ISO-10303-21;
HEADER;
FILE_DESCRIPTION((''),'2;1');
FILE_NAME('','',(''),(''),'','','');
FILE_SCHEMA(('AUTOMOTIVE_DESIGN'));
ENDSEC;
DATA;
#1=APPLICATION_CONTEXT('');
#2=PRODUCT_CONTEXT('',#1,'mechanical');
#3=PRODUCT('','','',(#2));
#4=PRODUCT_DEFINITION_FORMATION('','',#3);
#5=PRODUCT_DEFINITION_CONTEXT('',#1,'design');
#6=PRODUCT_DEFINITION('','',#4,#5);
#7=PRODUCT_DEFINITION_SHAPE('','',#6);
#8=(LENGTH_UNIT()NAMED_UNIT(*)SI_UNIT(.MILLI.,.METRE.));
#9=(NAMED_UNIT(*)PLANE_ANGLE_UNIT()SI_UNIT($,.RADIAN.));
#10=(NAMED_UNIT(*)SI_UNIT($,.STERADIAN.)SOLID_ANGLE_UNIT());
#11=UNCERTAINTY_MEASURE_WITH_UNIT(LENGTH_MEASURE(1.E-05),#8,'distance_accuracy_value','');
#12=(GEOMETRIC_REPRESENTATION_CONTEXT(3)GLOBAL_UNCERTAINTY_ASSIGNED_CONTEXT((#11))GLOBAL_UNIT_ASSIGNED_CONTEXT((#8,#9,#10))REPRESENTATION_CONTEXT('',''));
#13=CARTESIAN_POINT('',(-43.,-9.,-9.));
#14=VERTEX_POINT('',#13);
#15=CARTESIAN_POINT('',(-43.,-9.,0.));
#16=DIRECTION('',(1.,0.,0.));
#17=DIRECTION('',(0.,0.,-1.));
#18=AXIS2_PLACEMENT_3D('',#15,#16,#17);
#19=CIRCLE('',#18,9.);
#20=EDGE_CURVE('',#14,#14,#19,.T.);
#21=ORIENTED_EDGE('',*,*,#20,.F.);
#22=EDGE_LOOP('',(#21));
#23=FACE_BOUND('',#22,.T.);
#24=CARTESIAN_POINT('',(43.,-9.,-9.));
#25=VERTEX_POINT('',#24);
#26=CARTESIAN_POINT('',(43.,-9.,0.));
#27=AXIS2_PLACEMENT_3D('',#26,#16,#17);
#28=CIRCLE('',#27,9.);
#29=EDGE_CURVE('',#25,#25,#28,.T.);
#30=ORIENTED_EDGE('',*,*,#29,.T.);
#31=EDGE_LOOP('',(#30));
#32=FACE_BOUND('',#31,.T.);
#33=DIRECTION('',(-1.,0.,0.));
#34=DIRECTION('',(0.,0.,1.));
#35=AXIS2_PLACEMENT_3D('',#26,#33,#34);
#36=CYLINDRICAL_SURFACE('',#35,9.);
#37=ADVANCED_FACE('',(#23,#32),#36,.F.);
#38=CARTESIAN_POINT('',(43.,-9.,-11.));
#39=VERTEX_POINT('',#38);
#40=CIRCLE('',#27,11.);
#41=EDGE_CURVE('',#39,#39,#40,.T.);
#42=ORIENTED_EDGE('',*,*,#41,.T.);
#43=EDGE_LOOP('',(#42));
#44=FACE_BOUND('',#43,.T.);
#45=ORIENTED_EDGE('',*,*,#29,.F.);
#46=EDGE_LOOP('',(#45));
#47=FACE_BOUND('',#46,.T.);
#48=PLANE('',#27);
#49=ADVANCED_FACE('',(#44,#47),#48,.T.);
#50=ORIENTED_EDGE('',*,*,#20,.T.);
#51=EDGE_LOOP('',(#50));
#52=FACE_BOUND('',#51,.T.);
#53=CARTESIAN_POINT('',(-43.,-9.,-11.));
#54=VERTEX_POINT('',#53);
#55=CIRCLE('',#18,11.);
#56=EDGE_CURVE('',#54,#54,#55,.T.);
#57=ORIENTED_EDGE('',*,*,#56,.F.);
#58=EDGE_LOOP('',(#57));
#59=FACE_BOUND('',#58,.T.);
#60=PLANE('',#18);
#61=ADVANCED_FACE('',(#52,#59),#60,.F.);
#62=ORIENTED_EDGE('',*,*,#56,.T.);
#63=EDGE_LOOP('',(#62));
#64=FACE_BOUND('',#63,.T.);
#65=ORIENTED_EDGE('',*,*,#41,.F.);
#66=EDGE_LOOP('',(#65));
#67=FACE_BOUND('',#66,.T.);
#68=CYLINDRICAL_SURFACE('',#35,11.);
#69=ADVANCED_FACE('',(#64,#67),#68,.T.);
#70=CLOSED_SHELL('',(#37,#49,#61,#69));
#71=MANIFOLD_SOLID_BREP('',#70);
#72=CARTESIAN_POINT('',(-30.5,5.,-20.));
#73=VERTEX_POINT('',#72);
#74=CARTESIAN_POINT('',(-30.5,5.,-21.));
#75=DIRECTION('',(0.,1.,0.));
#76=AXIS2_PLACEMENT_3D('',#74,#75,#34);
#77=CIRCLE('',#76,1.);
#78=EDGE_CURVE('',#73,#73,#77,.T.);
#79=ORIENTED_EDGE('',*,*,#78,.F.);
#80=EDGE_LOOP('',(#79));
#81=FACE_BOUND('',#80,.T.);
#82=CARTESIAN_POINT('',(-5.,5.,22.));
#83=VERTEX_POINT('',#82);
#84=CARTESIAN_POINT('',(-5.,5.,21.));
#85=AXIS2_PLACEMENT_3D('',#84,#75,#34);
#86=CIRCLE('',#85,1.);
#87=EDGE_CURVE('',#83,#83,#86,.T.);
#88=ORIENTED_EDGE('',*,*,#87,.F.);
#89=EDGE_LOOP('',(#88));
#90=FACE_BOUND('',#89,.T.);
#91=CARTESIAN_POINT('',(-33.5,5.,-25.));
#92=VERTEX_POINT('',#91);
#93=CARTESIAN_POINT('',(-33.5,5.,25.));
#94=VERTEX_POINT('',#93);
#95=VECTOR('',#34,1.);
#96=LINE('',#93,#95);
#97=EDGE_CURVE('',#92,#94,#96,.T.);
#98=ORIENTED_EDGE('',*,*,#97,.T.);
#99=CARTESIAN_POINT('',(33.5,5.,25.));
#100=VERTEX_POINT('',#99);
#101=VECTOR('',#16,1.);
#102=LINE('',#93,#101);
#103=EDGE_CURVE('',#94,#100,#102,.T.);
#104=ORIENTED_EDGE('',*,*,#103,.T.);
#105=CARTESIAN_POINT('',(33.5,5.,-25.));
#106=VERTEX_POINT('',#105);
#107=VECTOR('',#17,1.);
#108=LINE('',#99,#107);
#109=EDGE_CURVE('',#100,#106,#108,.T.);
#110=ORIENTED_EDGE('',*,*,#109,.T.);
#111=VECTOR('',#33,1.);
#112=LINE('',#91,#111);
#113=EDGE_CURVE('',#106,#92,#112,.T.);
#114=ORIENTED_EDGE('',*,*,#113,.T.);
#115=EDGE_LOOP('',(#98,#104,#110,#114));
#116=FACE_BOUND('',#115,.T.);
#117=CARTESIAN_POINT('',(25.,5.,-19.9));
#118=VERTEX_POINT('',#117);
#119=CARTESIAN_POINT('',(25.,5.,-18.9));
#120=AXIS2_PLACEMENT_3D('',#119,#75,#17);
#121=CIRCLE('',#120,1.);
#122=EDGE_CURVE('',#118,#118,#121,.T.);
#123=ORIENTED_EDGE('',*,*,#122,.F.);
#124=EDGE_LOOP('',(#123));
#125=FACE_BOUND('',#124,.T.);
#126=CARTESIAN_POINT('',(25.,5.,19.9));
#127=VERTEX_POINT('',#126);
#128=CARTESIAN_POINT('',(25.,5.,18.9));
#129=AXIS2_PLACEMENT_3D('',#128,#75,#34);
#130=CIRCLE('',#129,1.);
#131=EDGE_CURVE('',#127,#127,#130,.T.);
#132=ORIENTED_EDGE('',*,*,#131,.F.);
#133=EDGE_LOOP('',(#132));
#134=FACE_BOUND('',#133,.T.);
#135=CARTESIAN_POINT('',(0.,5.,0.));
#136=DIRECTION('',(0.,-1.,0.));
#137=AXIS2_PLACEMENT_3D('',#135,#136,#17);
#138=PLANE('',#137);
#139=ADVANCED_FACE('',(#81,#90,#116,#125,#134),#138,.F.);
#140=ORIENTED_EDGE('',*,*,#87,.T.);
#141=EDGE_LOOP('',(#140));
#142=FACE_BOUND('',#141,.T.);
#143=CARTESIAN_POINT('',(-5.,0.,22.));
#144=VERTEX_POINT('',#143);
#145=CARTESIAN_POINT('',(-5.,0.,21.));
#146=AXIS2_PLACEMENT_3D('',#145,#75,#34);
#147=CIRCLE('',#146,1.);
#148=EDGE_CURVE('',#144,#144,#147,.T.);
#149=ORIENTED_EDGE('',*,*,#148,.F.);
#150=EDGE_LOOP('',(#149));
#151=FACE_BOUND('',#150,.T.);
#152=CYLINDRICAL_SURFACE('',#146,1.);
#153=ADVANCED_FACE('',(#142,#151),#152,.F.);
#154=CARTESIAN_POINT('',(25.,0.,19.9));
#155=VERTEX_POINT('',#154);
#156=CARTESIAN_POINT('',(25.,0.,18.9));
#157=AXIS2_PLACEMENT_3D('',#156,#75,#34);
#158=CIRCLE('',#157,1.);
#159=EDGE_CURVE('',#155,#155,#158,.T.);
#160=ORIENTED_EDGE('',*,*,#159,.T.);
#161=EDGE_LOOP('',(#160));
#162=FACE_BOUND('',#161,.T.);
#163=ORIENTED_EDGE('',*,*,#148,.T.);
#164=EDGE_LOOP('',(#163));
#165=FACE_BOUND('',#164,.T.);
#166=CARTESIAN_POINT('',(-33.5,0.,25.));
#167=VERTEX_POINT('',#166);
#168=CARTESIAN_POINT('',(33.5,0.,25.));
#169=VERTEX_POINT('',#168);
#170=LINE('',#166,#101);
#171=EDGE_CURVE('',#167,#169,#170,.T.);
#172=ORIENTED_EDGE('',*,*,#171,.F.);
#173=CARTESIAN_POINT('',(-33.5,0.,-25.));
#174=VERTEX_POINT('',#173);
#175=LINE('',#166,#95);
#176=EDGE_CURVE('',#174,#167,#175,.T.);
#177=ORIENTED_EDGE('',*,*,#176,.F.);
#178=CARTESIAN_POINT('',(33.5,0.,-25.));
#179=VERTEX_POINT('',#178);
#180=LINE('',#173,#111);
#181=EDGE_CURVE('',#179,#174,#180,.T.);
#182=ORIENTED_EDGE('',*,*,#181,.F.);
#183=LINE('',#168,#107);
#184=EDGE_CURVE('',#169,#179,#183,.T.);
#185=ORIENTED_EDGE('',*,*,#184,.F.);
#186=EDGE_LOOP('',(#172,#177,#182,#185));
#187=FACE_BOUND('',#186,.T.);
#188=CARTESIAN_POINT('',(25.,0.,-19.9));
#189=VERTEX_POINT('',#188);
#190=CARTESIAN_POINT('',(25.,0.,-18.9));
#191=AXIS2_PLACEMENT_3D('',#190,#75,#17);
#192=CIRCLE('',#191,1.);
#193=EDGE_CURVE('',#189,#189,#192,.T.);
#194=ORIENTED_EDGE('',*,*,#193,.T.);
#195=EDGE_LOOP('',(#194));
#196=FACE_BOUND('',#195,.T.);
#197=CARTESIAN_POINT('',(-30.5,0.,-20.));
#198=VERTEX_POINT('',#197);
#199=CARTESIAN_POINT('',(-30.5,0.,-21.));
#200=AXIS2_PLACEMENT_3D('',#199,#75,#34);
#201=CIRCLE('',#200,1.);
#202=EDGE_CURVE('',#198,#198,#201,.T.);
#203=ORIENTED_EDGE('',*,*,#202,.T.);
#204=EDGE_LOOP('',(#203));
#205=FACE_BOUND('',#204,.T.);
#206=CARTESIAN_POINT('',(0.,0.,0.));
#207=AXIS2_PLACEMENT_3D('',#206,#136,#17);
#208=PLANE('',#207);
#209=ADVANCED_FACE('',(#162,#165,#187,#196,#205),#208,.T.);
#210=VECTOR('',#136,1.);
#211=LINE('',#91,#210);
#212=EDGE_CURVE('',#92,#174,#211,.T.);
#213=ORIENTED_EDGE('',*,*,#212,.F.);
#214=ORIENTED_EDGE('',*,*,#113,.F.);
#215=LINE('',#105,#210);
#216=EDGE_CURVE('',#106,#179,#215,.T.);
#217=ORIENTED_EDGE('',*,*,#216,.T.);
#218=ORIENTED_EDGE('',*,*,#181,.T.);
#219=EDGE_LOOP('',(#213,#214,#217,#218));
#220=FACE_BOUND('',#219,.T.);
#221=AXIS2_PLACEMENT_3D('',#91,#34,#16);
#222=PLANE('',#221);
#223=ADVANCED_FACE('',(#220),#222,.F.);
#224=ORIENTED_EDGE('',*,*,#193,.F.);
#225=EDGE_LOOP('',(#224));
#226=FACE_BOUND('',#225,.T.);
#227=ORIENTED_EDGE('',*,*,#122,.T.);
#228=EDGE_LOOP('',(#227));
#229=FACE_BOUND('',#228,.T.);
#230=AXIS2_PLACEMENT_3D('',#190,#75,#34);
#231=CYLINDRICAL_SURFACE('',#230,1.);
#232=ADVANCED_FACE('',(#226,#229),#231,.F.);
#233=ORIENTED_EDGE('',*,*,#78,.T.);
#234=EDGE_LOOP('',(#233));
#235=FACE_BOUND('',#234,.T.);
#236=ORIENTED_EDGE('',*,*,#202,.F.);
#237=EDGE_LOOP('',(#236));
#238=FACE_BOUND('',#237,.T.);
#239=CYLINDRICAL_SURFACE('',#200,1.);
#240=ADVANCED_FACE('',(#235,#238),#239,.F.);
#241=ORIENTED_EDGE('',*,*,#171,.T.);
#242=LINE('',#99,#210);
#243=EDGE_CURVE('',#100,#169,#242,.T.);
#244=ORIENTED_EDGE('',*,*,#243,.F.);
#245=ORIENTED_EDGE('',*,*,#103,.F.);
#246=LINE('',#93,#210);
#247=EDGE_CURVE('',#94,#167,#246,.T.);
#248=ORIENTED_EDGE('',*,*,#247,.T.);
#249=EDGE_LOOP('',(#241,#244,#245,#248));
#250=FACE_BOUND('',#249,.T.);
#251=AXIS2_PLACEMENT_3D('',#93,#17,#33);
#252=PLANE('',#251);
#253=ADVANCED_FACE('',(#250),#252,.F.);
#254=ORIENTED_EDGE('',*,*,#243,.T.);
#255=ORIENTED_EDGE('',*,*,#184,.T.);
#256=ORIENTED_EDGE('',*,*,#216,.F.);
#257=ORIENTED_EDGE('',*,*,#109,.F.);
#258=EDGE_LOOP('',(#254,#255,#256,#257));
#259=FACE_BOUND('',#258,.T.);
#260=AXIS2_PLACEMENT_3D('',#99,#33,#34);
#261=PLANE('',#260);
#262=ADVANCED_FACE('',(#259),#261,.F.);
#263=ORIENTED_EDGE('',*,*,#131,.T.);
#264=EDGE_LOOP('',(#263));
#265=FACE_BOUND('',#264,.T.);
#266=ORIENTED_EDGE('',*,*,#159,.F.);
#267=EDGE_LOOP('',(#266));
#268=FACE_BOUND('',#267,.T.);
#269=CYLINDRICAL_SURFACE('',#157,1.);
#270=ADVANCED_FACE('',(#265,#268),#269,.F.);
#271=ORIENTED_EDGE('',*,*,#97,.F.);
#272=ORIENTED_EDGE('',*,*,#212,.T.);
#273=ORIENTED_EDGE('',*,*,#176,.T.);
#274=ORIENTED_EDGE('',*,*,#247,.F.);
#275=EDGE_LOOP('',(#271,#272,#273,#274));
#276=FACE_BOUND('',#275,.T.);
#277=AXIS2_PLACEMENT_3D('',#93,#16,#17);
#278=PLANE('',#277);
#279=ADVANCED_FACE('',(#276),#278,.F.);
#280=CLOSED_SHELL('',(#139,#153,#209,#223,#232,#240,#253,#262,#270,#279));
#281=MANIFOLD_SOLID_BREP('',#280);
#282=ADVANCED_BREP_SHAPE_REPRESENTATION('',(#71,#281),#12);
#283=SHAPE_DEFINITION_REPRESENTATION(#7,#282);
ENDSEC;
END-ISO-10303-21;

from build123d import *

# Parameters (mm, degrees)
SKETCH_1_W          = 67
SKETCH_1_H          = 50
EXTRUDE_1_DEPTH     = 5
SKETCH_2_R          = 1
CUT_EXTRUDE_1_DEPTH = 6
SKETCH_4_R          = 11
SKETCH_4_R_2        = 9
EXTRUDE_2_DEPTH     = 43


with BuildPart() as part:
    # 草图1 → 凸台-拉伸1 (new body)
    with BuildSketch(Plane(origin=(0, 0, 0), x_dir=(1, 0, 0), z_dir=(0, 1, 0))):
        Rectangle(SKETCH_1_W, SKETCH_1_H)
    extrude(amount=EXTRUDE_1_DEPTH)

    # 草图2 → 切除-拉伸1 (cut, through all)
    with BuildSketch(Plane(origin=(0, 5, 0), x_dir=(1, 0, 0), z_dir=(0, 1, 0))):
        with Locations((-5, -21)):
            Circle(SKETCH_2_R)
        with Locations((25, -18.9)):
            Circle(SKETCH_2_R)
        with Locations((25, 18.9)):
            Circle(SKETCH_2_R)
        with Locations((-30.5, 21)):
            Circle(SKETCH_2_R)
    extrude(amount=-CUT_EXTRUDE_1_DEPTH, mode=Mode.SUBTRACT)


with BuildPart() as body_2:
    # 草图4 → 凸台-拉伸2 (new body, symmetric)
    with BuildSketch(Plane(origin=(0, 0, 0), x_dir=(0, 0, -1), z_dir=(1, 0, 0))):
        with Locations((0, -9)):
            Circle(SKETCH_4_R)
        with Locations((0, -9)):
            Circle(SKETCH_4_R_2, mode=Mode.SUBTRACT)
    extrude(amount=EXTRUDE_2_DEPTH, both=True)


solid = Compound([part.part, body_2.part])
